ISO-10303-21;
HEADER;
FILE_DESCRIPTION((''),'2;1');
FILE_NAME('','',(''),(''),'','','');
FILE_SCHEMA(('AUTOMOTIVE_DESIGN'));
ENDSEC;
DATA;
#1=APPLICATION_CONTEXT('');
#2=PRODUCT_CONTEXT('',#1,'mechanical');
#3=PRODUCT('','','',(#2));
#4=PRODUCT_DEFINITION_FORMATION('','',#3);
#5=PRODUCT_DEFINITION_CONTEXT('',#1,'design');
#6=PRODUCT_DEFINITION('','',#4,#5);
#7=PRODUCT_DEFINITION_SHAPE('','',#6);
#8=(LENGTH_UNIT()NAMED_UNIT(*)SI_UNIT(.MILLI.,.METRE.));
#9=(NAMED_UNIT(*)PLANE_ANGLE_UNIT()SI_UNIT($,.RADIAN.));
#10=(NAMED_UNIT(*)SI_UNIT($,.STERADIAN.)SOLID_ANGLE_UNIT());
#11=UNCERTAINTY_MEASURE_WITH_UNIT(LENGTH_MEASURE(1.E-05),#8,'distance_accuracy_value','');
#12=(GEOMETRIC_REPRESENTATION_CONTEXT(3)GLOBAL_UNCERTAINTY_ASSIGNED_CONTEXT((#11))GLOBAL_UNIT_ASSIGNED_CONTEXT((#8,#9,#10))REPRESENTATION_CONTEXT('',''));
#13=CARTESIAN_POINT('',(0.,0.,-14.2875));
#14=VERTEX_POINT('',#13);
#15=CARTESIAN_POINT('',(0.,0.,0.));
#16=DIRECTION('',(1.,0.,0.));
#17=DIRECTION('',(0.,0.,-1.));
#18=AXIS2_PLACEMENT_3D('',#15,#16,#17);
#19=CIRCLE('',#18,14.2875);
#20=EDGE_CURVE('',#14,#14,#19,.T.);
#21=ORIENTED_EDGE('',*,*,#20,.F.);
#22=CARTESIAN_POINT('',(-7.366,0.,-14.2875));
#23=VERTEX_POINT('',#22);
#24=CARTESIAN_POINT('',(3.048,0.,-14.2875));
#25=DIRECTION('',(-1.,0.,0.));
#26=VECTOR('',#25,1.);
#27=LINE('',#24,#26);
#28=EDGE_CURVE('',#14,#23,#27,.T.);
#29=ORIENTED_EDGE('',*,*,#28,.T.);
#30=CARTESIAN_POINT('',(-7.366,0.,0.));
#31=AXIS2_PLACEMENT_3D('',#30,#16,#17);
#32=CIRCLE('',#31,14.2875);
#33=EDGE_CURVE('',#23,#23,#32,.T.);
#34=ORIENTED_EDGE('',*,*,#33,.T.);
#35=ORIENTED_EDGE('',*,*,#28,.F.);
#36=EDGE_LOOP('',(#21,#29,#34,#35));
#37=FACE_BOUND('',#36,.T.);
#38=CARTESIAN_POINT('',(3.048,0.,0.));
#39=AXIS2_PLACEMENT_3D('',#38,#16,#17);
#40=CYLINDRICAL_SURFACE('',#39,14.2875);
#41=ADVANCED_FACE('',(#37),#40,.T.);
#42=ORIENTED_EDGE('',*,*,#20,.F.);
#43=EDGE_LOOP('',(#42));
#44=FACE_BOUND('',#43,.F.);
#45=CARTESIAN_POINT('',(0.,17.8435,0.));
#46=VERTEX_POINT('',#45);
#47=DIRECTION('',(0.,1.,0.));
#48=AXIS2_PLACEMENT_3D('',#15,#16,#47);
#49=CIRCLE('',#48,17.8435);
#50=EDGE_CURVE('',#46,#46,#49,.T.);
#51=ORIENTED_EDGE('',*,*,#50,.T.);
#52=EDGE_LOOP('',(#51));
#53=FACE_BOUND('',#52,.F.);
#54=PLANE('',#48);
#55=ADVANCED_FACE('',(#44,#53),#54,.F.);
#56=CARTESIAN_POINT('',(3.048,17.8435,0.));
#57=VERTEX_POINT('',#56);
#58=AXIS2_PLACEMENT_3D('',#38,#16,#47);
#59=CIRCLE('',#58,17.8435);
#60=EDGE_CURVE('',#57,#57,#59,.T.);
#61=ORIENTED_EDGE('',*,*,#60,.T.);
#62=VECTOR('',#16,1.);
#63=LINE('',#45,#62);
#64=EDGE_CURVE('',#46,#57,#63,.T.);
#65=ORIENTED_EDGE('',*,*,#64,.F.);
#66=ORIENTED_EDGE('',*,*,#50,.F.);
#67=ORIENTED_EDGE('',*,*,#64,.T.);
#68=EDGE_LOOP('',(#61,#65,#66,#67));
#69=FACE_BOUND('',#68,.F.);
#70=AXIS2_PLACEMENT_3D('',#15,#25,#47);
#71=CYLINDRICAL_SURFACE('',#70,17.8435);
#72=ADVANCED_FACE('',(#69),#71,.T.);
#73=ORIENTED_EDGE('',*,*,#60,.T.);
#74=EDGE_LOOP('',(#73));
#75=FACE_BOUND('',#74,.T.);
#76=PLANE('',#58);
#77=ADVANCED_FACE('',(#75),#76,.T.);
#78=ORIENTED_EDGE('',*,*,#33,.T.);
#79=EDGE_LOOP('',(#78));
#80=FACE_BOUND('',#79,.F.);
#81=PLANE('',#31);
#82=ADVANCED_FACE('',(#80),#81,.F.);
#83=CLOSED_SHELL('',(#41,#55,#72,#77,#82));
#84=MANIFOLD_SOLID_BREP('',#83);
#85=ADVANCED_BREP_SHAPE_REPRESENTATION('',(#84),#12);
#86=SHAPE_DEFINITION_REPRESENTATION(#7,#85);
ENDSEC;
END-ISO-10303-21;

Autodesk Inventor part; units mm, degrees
ref_plane "YZ Plane" through (0, 0, 0) normal (1, 0, 0) x (0, 1, 0)
ref_plane "XZ Plane" through (0, 0, 0) normal (0, 1, 0) x (-1, 0, 0)
ref_plane "XY Plane" through (0, 0, 0) normal (0, 0, 1) x (1, 0, 0)
sketch "Sketch1" plane through (0, 0, 0) normal (1, 0, 0) x (0, 1, 0)
  circle A0 centre (0, 0) radius 17.8435
  dimension "d0" = 35.687
extrude "Extrusion1" add sketch "Sketch1" along normal blind 3.048
sketch "Sketch2" plane through (3.048, 0, 0) normal (1, 0, 0) x (0, 0, -1)
  circle A0 centre (0, 0) radius 14.2875
  dimension "d3" = 28.575
extrude "Extrusion2" add sketch "Sketch2" against normal blind 10.414
properties part number "16 tooth sprocket"
